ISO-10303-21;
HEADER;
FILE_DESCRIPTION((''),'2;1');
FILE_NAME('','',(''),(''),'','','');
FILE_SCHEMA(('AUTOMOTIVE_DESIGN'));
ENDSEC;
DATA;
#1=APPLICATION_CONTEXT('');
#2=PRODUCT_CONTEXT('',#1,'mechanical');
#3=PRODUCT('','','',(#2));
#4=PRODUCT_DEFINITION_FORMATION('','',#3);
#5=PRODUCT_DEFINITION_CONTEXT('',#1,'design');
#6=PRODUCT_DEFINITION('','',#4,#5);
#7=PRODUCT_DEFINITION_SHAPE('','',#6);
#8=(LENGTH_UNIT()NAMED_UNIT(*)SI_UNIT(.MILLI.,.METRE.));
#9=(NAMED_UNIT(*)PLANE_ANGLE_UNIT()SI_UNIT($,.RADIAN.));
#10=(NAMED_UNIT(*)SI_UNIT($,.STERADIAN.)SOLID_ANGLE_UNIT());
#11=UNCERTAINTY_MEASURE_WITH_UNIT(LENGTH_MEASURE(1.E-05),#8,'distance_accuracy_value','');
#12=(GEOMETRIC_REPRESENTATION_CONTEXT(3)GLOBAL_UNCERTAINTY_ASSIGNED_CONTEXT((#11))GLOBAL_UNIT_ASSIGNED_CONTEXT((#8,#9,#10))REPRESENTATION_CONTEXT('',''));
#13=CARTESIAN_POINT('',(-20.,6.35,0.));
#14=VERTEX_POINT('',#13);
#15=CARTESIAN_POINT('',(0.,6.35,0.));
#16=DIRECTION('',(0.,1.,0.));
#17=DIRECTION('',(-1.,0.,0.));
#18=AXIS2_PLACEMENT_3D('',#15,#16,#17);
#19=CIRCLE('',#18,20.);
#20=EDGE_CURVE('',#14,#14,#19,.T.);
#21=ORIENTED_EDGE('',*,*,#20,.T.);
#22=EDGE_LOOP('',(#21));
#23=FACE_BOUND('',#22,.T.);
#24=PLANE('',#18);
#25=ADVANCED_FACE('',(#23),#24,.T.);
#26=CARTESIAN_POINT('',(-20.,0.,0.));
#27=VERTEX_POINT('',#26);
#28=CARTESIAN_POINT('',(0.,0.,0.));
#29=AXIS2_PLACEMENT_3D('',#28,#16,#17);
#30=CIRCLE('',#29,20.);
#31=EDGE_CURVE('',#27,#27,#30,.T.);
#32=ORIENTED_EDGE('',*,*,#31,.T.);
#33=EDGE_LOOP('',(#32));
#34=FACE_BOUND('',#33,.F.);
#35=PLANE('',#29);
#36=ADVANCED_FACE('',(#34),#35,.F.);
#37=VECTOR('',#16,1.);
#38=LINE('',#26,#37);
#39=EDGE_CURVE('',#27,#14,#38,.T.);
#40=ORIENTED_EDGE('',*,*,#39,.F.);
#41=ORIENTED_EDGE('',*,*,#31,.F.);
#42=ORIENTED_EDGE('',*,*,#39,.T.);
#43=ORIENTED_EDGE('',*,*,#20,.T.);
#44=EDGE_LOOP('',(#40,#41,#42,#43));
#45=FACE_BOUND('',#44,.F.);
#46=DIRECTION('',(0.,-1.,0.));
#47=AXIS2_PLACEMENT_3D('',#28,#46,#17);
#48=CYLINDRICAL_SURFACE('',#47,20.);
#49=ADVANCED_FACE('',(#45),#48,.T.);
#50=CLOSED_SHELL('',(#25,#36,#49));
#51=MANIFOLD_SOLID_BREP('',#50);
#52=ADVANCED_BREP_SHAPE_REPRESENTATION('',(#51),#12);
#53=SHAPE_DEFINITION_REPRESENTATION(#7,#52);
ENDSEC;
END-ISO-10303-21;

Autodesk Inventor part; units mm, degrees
ref_plane "YZ Plane" through (0, 0, 0) normal (1, 0, 0) x (0, 1, 0)
ref_plane "XZ Plane" through (0, 0, 0) normal (0, 1, 0) x (-1, 0, 0)
ref_plane "XY Plane" through (0, 0, 0) normal (0, 0, 1) x (1, 0, 0)
sketch "Sketch1" plane through (0, 0, 0) normal (0, 1, 0) x (-1, 0, 0)
  circle A0 centre (0, 0) radius 20
  dimension "d0" = 40
extrude "Extrusion1" add sketch "Sketch1" along normal blind 6.35
properties part number "Glass"
